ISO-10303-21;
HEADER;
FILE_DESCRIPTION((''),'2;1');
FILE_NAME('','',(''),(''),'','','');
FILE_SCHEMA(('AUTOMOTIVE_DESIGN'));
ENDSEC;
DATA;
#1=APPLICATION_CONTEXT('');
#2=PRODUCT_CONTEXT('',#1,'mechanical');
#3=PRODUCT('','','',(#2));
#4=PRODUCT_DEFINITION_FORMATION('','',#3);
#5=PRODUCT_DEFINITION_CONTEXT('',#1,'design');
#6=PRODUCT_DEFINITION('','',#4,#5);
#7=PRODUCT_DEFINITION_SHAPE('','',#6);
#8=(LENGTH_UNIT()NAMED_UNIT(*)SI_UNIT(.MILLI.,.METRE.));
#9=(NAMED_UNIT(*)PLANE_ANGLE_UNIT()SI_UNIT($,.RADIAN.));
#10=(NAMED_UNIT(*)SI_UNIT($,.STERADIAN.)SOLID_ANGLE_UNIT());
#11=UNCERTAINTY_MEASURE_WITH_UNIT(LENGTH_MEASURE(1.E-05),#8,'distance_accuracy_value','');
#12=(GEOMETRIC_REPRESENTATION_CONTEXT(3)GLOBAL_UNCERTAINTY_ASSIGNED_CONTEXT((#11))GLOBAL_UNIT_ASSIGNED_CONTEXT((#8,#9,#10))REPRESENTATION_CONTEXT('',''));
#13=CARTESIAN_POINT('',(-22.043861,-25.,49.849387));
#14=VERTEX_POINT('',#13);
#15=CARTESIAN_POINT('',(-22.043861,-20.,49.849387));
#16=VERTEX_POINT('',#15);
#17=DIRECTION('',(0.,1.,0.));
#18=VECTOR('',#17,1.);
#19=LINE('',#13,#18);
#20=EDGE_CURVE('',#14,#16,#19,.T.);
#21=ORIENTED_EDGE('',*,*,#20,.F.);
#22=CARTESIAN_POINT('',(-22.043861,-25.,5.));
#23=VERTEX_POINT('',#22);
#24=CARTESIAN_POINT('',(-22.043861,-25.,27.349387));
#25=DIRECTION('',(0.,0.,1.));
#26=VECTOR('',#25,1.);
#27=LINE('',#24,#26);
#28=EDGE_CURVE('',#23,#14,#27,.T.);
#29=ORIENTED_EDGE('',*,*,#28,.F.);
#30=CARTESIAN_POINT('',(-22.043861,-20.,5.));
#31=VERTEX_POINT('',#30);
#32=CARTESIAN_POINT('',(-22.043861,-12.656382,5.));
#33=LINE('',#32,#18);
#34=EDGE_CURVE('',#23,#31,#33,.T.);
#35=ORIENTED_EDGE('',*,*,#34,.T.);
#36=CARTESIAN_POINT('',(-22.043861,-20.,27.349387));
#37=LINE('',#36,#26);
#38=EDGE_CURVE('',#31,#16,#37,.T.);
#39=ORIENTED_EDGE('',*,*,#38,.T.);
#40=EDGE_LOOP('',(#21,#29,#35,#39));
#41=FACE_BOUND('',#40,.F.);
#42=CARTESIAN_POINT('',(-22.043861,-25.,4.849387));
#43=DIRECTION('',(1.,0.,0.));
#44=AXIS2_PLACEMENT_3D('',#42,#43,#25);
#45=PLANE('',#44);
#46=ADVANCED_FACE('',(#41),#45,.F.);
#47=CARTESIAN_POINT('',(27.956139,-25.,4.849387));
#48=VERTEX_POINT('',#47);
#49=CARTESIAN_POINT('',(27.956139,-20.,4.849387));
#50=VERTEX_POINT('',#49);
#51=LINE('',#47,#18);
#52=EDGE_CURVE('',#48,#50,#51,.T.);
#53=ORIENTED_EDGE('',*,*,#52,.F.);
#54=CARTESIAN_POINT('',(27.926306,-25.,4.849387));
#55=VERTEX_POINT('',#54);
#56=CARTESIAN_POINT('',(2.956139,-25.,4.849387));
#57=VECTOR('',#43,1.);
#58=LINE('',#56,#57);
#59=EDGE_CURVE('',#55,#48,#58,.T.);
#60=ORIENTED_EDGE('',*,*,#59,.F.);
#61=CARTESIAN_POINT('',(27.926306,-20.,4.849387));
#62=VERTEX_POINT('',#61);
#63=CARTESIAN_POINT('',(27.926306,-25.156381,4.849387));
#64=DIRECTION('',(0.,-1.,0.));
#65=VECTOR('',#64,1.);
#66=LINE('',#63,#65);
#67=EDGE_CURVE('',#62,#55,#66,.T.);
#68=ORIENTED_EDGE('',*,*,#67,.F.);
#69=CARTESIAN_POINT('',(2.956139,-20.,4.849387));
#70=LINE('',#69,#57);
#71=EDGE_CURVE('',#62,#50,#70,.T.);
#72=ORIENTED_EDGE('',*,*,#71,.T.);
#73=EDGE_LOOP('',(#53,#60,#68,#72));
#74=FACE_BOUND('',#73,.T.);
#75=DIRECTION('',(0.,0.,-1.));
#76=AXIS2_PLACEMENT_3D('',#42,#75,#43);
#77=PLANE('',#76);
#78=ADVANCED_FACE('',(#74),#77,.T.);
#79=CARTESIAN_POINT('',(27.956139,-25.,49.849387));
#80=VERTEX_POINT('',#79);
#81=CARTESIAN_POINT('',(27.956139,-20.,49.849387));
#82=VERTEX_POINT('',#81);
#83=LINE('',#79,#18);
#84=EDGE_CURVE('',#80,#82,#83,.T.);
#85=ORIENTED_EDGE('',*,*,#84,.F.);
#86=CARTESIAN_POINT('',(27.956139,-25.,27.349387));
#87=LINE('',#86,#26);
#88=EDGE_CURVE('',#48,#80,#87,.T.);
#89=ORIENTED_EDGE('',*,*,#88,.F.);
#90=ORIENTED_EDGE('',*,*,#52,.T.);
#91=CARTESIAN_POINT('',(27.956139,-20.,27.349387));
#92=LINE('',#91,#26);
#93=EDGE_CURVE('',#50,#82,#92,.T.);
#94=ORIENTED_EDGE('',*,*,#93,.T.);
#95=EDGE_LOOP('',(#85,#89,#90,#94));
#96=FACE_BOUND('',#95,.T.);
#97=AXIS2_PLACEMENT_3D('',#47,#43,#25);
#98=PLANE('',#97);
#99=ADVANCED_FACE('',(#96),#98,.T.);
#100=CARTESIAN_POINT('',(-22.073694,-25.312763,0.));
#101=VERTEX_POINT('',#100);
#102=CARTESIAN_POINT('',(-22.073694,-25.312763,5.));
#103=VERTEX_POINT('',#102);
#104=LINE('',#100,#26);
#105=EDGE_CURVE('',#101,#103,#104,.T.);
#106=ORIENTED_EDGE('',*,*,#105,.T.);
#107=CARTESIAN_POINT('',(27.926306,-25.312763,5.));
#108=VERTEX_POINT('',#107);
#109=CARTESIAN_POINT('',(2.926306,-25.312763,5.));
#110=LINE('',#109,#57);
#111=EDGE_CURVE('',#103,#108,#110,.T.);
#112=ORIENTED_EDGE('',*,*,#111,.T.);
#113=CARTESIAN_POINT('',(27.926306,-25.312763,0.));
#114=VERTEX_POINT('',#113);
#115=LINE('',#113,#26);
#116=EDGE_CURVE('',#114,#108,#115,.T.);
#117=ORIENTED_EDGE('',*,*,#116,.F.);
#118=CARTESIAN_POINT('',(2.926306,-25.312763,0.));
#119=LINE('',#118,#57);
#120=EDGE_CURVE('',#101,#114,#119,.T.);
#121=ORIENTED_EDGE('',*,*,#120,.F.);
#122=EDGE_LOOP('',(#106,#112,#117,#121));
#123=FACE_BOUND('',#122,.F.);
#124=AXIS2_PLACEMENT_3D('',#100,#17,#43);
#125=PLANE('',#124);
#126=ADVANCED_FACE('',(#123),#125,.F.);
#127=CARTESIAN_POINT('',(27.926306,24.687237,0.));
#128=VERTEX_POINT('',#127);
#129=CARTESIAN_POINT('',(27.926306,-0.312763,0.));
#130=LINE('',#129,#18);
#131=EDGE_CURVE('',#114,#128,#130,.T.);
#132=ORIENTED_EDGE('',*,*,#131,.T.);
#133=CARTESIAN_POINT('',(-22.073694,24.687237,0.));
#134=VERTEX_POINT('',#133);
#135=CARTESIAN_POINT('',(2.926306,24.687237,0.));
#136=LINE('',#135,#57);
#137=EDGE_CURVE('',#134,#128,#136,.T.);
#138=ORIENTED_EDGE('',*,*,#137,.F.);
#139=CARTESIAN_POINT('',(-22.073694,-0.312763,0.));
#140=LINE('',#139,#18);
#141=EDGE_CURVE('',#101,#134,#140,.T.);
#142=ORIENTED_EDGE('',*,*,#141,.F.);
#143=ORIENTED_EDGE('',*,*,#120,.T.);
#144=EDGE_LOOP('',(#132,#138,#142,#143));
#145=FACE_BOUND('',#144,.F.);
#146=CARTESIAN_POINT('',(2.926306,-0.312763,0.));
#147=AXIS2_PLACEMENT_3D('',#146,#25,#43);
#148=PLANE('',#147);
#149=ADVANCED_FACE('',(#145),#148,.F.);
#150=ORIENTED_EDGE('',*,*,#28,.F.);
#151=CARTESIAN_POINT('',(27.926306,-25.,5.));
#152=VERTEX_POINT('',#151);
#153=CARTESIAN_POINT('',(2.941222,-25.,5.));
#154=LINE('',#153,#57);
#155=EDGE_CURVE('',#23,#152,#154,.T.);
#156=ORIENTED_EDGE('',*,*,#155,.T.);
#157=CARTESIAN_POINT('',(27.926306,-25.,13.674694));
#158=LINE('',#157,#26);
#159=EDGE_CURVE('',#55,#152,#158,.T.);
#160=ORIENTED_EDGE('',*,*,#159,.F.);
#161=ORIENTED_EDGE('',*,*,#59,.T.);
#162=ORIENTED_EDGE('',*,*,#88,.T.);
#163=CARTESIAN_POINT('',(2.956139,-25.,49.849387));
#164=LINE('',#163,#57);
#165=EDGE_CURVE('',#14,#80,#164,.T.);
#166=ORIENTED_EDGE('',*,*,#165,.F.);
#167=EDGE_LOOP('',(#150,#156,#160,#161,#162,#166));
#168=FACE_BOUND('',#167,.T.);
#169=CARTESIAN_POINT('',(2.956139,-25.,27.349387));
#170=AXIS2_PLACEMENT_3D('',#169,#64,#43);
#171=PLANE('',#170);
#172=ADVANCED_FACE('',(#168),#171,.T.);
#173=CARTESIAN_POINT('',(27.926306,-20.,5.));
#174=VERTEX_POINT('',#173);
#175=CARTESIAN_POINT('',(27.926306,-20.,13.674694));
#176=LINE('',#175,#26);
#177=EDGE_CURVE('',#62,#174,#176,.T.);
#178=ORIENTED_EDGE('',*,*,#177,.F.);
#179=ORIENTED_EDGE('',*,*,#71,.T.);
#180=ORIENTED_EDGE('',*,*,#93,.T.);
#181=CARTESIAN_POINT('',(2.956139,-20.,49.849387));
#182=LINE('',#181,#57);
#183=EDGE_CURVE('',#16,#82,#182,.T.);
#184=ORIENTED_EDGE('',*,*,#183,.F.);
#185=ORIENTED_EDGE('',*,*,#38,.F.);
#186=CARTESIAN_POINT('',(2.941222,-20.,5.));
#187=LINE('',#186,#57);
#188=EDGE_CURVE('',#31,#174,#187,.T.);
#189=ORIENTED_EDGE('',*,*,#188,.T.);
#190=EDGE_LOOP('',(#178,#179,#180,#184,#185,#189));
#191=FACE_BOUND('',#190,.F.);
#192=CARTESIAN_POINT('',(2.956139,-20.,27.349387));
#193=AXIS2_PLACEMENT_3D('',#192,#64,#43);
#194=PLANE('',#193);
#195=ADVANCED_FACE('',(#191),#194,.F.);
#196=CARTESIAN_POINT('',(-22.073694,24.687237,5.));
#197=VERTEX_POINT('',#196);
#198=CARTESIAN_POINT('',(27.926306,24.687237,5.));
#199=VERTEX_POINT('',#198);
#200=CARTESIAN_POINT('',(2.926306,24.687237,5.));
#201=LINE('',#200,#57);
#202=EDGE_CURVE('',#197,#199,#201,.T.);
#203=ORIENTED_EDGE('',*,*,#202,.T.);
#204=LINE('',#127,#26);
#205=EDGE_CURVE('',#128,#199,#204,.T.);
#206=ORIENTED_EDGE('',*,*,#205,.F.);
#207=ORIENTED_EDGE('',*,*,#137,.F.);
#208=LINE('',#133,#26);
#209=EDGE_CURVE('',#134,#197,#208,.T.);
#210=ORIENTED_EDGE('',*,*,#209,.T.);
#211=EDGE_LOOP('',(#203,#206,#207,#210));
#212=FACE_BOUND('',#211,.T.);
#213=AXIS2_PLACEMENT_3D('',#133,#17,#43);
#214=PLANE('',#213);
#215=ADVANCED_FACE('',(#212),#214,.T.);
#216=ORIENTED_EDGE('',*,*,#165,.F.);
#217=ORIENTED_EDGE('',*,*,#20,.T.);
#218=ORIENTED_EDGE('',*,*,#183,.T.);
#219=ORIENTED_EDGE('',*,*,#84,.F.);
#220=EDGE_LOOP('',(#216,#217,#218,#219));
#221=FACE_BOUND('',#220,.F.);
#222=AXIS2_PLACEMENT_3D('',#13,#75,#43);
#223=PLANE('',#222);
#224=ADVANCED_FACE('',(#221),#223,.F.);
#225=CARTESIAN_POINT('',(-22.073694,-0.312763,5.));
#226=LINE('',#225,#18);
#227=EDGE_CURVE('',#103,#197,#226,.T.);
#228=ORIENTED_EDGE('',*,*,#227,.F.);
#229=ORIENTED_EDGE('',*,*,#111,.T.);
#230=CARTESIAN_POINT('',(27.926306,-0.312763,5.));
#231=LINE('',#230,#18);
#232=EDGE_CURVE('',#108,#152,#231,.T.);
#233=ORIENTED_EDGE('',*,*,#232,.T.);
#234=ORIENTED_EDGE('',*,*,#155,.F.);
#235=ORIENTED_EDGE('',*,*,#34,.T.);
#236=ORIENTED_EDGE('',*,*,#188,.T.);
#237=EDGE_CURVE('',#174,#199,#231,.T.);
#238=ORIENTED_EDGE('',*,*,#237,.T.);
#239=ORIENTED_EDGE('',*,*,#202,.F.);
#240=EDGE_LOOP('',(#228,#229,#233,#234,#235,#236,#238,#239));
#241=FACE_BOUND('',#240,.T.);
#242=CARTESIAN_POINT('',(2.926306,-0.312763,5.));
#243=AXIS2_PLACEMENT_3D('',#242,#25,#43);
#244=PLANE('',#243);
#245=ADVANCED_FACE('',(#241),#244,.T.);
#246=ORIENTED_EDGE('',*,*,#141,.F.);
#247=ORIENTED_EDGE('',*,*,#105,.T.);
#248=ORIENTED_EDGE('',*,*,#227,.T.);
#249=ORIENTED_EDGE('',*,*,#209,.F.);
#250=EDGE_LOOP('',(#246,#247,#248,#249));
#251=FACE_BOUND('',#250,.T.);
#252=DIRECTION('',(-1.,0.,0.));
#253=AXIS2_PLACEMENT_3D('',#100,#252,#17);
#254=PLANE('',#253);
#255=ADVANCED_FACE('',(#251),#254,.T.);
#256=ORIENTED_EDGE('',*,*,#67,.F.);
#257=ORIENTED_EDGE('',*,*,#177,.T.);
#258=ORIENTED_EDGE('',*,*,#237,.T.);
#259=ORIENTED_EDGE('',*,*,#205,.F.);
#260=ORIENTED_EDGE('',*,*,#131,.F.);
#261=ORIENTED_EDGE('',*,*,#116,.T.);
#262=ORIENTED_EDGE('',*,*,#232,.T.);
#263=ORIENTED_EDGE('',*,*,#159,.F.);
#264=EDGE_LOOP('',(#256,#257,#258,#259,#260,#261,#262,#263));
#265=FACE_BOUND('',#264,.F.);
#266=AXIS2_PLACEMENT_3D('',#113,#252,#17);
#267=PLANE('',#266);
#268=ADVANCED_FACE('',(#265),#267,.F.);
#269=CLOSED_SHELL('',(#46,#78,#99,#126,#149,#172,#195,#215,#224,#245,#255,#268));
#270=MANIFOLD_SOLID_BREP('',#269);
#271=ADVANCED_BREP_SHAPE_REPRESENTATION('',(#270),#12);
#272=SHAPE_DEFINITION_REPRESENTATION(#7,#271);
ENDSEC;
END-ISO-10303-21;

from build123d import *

# Parameters (mm, degrees)
F0_W     = 50
F0_H     = 50
F1_DEPTH = 5
F3_W     = 50
F3_H     = 45
F4_DEPTH = 5


with BuildPart() as f1:
    # F0 (on Top) → F1 (new body)
    with BuildSketch(Plane.XY):
        with Locations((2.926306, -0.312763)):
            Rectangle(F0_W, F0_H)
    extrude(amount=F1_DEPTH)

    # F3 (on offset) → F4 (join)
    with BuildSketch(Plane.XZ.offset(25)):
        with Locations((2.956139, 27.349387)):
            Rectangle(F3_W, F3_H)
    extrude(amount=-F4_DEPTH)


solid = f1.part
